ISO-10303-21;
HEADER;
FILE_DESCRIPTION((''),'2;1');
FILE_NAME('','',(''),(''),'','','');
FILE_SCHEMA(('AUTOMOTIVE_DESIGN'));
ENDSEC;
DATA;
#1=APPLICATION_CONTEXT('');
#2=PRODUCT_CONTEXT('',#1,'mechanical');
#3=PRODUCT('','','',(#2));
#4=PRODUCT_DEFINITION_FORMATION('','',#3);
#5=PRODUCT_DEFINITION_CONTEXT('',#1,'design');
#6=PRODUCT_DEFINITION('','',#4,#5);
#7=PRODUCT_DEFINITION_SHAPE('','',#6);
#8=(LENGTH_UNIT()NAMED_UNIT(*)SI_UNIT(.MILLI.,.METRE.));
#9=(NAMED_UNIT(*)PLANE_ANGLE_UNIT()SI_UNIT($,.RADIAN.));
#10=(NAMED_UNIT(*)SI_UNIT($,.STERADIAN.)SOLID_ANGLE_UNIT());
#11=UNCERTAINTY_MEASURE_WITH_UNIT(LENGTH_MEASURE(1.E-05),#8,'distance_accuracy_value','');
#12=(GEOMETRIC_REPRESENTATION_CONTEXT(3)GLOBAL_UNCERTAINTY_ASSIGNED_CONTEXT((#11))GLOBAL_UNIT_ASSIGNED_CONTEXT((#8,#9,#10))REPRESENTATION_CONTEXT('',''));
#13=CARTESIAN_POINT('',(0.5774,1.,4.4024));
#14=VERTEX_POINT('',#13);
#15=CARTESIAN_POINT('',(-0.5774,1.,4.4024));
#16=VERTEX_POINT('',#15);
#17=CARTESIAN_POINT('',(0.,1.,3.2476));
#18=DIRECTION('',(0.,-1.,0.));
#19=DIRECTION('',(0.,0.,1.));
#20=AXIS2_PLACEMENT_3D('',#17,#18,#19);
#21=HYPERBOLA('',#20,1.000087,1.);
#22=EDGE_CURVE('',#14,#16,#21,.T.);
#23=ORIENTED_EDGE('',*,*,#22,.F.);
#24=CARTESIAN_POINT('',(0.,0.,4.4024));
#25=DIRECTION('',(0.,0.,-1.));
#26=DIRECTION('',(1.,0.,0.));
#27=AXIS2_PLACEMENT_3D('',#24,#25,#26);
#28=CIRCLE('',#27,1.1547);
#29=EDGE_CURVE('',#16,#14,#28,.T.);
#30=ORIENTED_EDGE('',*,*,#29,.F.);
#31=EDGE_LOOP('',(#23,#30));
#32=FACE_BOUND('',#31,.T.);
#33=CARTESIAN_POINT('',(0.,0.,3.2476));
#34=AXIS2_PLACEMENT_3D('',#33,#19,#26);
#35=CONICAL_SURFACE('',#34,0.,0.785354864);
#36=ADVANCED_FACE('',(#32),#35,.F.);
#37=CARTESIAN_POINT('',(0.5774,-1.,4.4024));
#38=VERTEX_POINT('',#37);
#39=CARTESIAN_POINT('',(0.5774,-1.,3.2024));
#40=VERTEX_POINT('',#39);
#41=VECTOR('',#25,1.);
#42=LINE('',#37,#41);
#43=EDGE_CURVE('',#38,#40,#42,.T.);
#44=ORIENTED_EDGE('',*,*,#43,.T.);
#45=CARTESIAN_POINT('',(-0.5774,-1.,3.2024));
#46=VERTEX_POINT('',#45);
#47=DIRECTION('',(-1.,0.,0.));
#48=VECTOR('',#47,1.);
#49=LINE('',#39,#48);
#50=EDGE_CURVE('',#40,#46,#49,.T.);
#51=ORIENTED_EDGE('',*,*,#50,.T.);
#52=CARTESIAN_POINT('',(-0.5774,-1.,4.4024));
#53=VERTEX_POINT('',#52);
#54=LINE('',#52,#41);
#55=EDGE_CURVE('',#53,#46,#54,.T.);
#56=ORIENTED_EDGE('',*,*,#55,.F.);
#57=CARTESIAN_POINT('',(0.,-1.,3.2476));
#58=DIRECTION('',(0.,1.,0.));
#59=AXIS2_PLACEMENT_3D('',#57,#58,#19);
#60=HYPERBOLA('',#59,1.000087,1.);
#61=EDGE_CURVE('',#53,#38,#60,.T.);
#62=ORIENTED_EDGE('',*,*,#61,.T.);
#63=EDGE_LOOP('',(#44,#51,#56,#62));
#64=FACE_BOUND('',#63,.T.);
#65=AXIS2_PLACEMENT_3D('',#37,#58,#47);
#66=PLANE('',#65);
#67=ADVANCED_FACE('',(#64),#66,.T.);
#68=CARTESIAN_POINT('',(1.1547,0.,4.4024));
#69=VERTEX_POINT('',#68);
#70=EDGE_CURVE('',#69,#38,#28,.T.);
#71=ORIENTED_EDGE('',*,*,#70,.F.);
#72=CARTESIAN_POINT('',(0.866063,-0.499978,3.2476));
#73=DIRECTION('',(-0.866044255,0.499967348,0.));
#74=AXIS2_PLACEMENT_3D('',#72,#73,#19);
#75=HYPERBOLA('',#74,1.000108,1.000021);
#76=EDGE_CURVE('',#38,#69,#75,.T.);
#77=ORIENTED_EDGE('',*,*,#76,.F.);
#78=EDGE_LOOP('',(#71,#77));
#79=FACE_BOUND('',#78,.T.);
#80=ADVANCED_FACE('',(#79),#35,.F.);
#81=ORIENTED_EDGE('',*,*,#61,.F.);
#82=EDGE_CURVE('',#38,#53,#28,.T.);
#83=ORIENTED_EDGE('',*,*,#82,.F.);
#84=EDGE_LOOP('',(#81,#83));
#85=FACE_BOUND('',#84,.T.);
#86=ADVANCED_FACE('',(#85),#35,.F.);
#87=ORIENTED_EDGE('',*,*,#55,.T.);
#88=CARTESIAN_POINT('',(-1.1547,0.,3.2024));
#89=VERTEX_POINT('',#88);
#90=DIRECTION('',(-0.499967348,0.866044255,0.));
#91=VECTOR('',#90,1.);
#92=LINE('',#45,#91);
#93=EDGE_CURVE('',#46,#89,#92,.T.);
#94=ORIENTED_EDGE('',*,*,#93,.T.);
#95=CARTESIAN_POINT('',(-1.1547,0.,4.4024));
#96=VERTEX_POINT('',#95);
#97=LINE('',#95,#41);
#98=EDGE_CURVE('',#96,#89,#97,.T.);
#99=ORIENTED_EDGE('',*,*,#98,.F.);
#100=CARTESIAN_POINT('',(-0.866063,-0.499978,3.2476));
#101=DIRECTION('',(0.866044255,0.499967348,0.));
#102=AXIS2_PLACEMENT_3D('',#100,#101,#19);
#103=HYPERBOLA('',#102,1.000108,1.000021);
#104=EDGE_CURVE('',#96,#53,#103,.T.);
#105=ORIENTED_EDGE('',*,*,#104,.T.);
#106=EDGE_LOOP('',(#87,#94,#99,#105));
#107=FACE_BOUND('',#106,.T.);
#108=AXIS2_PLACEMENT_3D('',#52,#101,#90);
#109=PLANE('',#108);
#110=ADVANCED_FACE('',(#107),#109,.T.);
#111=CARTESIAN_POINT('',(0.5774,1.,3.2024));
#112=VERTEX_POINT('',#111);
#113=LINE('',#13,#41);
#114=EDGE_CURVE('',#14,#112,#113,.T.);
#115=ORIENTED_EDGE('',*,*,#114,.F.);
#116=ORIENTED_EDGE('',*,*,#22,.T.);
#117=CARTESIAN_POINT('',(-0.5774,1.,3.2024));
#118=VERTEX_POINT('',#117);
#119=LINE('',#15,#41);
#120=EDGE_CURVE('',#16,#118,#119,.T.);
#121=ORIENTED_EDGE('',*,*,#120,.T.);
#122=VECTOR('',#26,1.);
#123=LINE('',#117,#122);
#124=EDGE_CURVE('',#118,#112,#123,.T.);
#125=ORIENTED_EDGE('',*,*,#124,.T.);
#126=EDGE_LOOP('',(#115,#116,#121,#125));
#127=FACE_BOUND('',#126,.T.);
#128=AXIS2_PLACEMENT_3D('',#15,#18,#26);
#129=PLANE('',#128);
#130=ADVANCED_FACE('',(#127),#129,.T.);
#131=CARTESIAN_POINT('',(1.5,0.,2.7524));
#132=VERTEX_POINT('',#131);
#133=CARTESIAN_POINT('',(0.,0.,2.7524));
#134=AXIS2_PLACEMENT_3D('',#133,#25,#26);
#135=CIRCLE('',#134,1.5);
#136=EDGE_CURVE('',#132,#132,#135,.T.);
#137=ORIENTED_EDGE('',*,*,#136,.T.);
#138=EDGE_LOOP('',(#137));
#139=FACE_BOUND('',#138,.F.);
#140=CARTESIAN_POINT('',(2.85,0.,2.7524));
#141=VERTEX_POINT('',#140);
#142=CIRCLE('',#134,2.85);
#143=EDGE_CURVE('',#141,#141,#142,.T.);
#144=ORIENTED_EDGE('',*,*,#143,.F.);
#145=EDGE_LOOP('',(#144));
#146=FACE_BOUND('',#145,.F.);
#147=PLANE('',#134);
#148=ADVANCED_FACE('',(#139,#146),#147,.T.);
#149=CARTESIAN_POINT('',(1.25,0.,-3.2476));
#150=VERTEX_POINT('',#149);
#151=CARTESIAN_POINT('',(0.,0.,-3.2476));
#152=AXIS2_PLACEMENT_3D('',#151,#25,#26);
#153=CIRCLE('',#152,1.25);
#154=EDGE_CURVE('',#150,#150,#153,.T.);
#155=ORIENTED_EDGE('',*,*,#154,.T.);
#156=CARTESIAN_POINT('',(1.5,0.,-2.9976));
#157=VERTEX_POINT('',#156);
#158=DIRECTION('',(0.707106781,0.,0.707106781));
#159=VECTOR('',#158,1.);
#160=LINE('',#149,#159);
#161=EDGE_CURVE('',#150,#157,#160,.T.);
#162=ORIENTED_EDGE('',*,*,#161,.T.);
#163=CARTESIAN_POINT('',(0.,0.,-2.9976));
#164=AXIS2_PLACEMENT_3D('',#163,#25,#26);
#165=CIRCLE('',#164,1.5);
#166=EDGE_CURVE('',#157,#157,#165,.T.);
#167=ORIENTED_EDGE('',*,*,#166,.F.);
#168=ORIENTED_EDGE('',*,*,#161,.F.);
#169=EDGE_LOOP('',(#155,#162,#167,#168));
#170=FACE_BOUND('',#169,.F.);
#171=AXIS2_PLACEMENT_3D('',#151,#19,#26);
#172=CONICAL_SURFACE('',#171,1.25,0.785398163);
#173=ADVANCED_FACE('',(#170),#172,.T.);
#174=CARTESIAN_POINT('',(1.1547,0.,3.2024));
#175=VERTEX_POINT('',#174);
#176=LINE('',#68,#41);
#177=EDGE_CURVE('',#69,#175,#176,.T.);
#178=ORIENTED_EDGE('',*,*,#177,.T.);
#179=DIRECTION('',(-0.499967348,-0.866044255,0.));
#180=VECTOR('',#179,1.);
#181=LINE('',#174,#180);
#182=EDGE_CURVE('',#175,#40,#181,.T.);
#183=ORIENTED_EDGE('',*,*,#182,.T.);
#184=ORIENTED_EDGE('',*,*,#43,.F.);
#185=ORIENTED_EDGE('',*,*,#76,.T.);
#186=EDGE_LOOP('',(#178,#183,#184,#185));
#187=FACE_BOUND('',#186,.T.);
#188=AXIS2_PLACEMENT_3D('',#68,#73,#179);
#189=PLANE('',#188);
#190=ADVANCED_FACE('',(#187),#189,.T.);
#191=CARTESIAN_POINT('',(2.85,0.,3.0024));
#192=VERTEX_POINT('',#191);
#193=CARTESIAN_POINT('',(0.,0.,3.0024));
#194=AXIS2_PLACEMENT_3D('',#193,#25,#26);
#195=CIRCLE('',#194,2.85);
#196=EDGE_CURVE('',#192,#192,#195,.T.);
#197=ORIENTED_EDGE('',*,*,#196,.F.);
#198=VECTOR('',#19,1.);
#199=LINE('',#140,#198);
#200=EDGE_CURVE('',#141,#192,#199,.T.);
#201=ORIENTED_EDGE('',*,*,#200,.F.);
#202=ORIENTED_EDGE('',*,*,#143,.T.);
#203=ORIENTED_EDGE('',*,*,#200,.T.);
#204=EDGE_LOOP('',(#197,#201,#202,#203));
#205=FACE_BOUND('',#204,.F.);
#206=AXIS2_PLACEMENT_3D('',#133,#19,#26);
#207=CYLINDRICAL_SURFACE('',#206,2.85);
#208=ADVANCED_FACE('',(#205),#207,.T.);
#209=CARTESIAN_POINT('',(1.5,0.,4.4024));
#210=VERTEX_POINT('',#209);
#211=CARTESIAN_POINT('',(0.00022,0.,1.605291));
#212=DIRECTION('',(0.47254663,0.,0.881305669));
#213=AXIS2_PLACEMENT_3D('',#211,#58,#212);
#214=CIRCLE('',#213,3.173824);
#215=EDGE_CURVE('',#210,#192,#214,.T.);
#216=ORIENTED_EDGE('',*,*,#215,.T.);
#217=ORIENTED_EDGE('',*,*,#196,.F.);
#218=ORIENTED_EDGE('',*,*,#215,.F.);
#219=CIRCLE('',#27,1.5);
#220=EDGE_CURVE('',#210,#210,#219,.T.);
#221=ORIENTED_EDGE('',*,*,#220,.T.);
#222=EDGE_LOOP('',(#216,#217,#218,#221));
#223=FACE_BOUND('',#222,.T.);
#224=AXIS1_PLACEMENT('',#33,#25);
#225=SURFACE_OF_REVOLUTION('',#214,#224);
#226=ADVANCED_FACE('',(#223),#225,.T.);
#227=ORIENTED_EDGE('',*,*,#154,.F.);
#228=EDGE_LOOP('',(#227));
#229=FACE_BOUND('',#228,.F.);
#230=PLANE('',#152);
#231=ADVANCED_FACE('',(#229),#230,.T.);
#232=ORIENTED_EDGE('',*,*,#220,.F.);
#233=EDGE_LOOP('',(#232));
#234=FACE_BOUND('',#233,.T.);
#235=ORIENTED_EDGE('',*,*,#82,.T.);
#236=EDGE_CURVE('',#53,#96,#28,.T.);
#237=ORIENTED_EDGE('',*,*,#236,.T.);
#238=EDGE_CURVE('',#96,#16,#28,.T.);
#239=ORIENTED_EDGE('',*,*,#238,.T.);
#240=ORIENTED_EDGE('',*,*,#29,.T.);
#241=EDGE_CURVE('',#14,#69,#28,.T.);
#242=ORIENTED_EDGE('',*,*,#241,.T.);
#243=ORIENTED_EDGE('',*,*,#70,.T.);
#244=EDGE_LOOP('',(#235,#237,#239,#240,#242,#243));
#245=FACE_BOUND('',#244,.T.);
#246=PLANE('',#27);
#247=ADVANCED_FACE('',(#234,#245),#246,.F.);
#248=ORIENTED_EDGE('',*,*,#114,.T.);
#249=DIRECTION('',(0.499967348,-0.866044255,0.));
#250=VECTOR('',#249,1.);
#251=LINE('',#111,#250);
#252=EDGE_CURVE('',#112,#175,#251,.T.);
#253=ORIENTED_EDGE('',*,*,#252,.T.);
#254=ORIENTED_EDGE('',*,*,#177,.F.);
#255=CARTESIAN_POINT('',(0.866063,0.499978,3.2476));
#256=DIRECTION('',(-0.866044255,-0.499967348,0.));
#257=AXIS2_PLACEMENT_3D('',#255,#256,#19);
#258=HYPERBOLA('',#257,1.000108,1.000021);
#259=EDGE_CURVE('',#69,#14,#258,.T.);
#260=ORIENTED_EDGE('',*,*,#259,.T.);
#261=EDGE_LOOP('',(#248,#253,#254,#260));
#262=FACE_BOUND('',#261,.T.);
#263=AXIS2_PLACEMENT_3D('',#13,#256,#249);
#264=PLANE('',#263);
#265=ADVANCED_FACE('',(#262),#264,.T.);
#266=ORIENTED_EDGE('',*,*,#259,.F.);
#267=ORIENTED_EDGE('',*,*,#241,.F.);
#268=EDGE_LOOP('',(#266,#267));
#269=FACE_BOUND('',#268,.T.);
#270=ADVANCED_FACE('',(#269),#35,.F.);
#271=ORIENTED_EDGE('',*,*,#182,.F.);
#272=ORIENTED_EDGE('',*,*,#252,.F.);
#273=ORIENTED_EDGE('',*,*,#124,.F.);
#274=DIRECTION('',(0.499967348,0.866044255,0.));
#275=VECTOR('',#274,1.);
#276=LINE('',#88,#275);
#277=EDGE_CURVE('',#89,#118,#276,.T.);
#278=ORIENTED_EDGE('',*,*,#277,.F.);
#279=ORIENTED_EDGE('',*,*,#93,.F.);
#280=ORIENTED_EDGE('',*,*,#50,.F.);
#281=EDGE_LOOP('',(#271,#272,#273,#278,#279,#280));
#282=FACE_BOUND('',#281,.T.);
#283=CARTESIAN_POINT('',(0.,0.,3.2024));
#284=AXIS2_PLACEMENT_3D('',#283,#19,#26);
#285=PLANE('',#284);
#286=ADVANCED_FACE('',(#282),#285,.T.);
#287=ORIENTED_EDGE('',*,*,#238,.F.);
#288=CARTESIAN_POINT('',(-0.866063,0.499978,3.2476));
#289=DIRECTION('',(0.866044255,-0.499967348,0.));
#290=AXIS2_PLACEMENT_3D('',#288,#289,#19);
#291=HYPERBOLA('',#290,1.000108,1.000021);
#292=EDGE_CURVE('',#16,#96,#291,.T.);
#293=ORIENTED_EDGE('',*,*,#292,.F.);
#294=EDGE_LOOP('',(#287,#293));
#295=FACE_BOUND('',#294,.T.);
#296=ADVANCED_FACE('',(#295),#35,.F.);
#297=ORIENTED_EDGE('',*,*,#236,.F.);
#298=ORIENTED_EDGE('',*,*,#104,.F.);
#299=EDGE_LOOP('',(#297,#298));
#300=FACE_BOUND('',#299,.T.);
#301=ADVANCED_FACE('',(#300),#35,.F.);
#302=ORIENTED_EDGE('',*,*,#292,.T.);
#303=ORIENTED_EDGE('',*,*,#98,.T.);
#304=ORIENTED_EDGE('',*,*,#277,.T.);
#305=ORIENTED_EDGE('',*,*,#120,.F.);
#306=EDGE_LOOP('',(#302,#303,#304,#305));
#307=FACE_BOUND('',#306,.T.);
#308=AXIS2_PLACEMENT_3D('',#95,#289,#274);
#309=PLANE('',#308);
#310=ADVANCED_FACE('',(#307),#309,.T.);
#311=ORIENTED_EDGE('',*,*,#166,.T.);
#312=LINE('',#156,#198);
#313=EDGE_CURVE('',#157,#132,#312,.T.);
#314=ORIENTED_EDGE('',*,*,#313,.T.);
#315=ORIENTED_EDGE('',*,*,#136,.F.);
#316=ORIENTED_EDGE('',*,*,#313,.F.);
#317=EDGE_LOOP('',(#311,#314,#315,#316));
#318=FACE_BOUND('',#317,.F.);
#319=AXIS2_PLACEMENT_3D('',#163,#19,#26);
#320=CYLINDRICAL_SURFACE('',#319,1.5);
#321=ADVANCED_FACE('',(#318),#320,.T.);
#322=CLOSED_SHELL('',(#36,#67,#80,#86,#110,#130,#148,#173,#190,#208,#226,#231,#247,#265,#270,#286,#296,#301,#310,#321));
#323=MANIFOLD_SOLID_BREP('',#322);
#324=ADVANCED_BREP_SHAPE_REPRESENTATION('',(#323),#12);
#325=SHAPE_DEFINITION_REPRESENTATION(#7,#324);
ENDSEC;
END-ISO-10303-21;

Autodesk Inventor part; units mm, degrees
ref_plane "YZ Plane" through (0, 0, 0) normal (1, 0, 0) x (0, 1, 0)
ref_plane "XZ Plane" through (0, 0, 0) normal (0, 1, 0) x (-1, 0, 0)
ref_plane "XY Plane" through (0, 0, 0) normal (0, 0, 1) x (1, 0, 0)
sketch "Sketch1" plane through (0, 0, 0) normal (0, 1, 0) x (-1, 0, 0)
  line L0 (0, 3.2476) -> (0, -3.2476)
  line L1 (0, -3.2476) -> (-1.25, -3.2476)
  line L2 (-1.25, -3.2476) -> (-1.5, -2.9976)
  line L3 (-1.5, -2.9976) -> (-1.5, 2.7524)
  line L4 (-1.5, 2.7524) -> (-2.85, 2.7524)
  line L5 (-2.85, 2.7524) -> (-2.85, 3.0024)
  line L6 (0, 3.2476) -> (-1.1547, 4.4024)
  line L7 (-1.1547, 4.4024) -> (-1.5, 4.4024)
  arc A0 (-1.5, 4.4024) -> (-2.85, 3.0024) centre (0, 1.605) ccw
  line L8 (-1.1547, 4.4024) -> (-0.5774, 5.4024) construction
  line L9 (-0.5774, 5.4024) -> (0.5774, 5.4024) construction
  line L10 (0.5774, 5.4024) -> (1.1547, 4.4024) construction
  line L11 (1.1547, 4.4024) -> (0.5774, 3.4024) construction
  line L12 (0.5774, 3.4024) -> (-0.5774, 3.4024) construction
  line L13 (-0.5774, 3.4024) -> (-1.1547, 4.4024) construction
  point P0 (0, 0)
  point P1 (0, 0)
  point P2 (0, 4.4024)
  dimension "d0" = 3
  dimension "d1" = 6
  dimension "d2" = 0.25
  dimension "d3" = 135
  dimension "d4" = 5.7
  dimension "d5" = 3
  dimension "d6" = 1.65
  dimension "d7" = 2
  dimension "d8" = 0.25
revolve "Revolution1" add sketch "Sketch1" angle 360 about axis through (0, 0, 3.2476) along (0, 0, -1)
sketch "Sketch2" plane through (0, 0, 4.4024) normal (0, 0, 1) x (1, 0, 0)
  circle A0 centre (0, 0) radius 1.1547 projected
  circle A1 centre (0, 0) radius 1.5 projected
  line L0 (-1.1547, 0) -> (-0.5774, 1)
  line L1 (-0.5774, 1) -> (0.5774, 1)
  line L2 (0.5774, 1) -> (1.1547, 0)
  line L3 (1.1547, 0) -> (0.5774, -1)
  line L4 (0.5774, -1) -> (-0.5774, -1)
  line L5 (-0.5774, -1) -> (-1.1547, 0)
  point P0 (0, 0)
extrude "Extrusion1" cut sketch "Sketch2" against normal blind 1.2 contours L3 L4 L5 L0 L1 L2
thread "Thread1" size "M3x0.35" class "6g" standard "ANSI Metric M Profile" full length
properties part number "Bolt_M3x0.35_6mm_BH" material "Stainless Steel"
